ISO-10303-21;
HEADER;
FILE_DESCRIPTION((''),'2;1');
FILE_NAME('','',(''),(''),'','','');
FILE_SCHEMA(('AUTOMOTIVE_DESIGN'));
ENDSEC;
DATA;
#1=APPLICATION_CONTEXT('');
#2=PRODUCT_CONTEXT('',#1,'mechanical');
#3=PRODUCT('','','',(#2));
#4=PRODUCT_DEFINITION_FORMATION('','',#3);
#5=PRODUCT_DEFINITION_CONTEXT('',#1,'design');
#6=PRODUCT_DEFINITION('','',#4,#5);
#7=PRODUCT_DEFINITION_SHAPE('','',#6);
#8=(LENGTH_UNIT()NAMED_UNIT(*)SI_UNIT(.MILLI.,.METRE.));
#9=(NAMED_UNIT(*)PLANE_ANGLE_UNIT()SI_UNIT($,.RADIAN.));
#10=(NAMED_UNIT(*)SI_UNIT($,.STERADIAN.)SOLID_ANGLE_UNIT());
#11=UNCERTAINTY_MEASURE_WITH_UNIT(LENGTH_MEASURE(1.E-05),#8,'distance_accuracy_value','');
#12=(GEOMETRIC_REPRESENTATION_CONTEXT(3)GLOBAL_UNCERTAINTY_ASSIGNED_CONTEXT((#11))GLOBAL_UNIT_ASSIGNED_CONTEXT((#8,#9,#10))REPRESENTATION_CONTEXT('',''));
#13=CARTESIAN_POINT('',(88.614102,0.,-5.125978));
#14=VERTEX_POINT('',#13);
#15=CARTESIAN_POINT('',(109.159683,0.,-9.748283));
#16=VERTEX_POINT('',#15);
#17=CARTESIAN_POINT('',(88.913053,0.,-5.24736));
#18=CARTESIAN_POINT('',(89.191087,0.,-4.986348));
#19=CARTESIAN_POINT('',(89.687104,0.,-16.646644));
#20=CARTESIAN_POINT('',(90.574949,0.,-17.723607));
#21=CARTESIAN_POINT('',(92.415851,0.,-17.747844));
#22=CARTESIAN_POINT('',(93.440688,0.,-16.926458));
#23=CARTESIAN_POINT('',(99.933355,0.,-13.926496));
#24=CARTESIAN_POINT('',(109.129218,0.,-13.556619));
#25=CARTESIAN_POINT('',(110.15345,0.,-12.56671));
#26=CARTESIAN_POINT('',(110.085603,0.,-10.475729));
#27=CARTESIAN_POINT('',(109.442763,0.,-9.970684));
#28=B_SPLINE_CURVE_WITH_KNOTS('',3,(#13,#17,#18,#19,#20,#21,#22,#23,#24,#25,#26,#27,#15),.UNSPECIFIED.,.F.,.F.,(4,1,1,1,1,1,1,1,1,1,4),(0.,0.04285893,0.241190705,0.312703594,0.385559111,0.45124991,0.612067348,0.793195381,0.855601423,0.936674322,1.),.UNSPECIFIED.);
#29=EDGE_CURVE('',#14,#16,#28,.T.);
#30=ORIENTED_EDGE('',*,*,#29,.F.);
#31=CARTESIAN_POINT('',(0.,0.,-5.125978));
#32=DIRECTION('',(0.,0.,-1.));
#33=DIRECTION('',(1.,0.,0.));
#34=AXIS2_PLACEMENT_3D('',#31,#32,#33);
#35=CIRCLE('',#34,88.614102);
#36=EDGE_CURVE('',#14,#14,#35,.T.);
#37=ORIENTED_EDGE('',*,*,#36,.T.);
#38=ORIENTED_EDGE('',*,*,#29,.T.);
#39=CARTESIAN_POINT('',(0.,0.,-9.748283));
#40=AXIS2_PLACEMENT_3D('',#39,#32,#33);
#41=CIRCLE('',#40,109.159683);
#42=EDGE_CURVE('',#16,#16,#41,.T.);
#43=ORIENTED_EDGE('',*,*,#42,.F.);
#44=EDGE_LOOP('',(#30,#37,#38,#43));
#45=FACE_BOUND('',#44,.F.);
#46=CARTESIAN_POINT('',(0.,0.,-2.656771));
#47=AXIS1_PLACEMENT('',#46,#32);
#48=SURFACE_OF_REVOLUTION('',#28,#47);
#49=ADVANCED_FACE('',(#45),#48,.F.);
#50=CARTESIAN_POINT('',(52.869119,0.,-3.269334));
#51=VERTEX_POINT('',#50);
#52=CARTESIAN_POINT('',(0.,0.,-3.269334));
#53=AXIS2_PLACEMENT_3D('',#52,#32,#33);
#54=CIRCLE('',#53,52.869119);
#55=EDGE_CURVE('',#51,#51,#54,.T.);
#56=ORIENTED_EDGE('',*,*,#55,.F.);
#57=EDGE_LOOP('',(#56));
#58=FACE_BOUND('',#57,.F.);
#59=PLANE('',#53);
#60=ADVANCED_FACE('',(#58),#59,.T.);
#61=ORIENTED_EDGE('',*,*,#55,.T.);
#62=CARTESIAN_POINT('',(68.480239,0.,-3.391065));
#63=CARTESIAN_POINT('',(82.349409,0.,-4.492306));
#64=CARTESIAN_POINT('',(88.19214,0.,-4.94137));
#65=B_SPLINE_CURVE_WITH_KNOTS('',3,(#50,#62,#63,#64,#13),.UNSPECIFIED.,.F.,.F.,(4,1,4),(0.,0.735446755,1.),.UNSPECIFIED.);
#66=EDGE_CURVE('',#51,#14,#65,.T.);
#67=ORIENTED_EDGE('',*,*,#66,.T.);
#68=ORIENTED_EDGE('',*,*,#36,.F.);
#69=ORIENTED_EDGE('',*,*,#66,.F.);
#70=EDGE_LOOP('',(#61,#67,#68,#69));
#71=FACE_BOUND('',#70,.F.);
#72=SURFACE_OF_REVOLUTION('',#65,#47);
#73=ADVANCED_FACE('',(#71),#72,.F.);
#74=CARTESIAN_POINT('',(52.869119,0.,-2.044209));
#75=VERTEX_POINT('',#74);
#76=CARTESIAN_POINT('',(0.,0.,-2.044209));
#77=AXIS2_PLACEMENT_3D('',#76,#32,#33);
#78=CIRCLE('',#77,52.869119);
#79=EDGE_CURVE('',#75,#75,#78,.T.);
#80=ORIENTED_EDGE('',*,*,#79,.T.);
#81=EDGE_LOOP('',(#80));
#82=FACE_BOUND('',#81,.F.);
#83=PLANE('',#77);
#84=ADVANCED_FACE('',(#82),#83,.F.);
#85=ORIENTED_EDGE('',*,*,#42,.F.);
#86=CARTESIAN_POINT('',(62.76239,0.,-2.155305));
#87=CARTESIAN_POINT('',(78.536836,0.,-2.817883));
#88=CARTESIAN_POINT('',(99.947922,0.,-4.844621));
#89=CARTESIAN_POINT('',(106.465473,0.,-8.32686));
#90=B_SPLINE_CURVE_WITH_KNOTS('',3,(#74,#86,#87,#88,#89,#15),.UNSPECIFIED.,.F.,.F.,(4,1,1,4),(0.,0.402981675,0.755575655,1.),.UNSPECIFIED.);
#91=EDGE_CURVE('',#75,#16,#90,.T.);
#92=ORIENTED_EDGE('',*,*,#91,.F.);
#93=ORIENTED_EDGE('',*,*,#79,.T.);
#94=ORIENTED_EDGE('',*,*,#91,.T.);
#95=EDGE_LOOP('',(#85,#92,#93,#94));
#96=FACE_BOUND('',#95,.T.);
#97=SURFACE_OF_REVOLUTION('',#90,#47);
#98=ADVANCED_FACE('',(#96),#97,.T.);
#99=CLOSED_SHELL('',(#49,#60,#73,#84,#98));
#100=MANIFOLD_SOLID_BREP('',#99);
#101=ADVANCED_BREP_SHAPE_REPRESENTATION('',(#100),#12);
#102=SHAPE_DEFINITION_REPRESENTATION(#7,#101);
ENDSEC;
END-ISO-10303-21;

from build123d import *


with BuildPart() as f1:
    # F0 (on Front) → F1 (revolve)
    with BuildSketch(Plane.XZ):
        with BuildLine():
            Line((52.8691189355, -2.0442087461), (0, -2.0442087461))
            Line((0, -2.0442087461), (0, -3.2693337159))
            Line((0, -3.2693337159), (52.8691189355, -3.2693337159))
            add(Edge.make_bspline(
                [(52.8691189355, -3.2693337159), (68.4802385897, -3.3910650033), (82.349409231, -4.4923057705), (88.1921399298, -4.9413697113), (88.6141022129, -5.1259776698)],
                knots=[0, 0, 0, 0, 0.7354467552, 1, 1, 1, 1], degree=3))
            add(Edge.make_bspline(
                [(88.6141022129, -5.1259776698), (88.9130527643, -5.2473603452), (89.1910870596, -4.9863484887), (89.687103606, -16.6466436985), (90.5749493906, -17.7236068054), (92.4158505789, -17.7478439518), (93.4406877255, -16.9264576337), (99.9333549624, -13.9264958504), (109.1292184463, -13.5566186702), (110.1534502404, -12.5667101497), (110.0856031269, -10.4757287853), (109.4427633349, -9.9706836648), (109.1596829325, -9.7482831556)],
                knots=[0, 0, 0, 0, 0.0428589298, 0.2411907055, 0.3127035943, 0.3855591105, 0.4512499097, 0.612067348, 0.7931953811, 0.8556014228, 0.936674322, 1, 1, 1, 1], degree=3))
            add(Edge.make_bspline(
                [(52.8691189355, -2.0442087461), (62.7623904379, -2.1553052225), (78.5368358611, -2.8178826816), (99.9479219222, -4.8446207355), (106.4654732203, -8.3268598128), (109.1596829325, -9.7482831556)],
                knots=[0, 0, 0, 0, 0.4029816752, 0.7555756549, 1, 1, 1, 1], degree=3))
        make_face()
    revolve(axis=Axis((0, 0, -2.656771231), (0, 0, -1)))


solid = f1.part
